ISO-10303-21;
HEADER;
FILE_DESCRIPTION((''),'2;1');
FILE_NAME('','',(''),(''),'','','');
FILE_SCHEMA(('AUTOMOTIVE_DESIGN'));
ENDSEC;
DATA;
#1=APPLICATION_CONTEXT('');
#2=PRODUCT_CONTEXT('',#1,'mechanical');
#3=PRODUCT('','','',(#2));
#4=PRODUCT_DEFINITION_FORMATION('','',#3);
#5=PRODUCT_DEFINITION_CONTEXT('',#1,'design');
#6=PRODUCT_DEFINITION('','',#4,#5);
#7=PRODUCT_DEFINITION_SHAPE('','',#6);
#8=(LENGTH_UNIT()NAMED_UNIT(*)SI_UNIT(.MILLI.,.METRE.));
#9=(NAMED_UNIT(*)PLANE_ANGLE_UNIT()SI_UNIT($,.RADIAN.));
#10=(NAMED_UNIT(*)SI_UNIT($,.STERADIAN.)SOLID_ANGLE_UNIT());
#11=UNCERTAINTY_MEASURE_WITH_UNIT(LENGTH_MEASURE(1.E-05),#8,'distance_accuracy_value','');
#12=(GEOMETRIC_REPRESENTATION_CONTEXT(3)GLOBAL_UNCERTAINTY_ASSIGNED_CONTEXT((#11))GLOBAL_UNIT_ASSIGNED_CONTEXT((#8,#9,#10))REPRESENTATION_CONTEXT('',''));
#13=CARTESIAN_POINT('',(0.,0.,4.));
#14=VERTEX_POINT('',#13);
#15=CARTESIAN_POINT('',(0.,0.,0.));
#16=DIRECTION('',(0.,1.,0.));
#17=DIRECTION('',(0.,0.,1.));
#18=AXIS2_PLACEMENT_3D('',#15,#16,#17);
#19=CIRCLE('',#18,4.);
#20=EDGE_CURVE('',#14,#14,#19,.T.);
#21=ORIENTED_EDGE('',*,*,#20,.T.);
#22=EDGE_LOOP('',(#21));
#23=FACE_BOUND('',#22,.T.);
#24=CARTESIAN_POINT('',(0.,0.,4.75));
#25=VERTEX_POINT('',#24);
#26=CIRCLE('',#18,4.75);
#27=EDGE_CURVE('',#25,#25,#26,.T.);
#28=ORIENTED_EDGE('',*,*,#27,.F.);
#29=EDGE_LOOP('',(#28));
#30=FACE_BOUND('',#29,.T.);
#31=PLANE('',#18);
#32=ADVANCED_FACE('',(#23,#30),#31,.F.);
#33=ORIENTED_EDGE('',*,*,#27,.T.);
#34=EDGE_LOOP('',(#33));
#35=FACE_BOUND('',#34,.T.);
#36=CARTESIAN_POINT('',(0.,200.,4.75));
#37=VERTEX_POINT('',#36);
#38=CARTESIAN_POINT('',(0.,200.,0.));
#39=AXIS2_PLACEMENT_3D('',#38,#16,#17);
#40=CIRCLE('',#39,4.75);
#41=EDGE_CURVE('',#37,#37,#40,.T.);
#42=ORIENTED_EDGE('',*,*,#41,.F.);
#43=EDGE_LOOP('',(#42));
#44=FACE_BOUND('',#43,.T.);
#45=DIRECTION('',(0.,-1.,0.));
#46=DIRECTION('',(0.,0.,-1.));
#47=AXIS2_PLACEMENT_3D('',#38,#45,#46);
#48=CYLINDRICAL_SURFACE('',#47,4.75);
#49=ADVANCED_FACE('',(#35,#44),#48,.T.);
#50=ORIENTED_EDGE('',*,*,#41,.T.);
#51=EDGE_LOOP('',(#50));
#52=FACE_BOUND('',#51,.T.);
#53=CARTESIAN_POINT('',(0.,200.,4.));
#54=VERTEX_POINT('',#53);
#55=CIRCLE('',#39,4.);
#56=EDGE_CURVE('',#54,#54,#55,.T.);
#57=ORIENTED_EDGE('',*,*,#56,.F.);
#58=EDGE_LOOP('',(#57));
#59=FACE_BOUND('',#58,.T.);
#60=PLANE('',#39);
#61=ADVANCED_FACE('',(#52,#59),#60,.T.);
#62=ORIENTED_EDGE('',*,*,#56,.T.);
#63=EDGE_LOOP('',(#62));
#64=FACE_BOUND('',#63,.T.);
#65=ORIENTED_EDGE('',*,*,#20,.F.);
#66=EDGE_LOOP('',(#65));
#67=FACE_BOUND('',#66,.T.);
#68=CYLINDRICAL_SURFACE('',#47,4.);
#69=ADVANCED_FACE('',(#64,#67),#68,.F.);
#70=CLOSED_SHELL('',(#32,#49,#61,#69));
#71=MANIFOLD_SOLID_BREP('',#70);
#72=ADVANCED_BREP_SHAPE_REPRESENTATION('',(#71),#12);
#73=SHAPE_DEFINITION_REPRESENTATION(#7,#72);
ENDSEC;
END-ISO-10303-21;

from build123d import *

# Parameters (mm, degrees)
SKETCH1_R           = 4.75
SKETCH1_R_2         = 4
BOSS_EXTRUDE1_DEPTH = 200


with BuildPart() as part:
    # Sketch1 → Boss-Extrude1 (new body)
    with BuildSketch(Plane(origin=(0, 0, 0), x_dir=(1, 0, 0), z_dir=(0, 1, 0))):
        Circle(SKETCH1_R)
        Circle(SKETCH1_R_2, mode=Mode.SUBTRACT)
    extrude(amount=BOSS_EXTRUDE1_DEPTH)


solid = part.part
